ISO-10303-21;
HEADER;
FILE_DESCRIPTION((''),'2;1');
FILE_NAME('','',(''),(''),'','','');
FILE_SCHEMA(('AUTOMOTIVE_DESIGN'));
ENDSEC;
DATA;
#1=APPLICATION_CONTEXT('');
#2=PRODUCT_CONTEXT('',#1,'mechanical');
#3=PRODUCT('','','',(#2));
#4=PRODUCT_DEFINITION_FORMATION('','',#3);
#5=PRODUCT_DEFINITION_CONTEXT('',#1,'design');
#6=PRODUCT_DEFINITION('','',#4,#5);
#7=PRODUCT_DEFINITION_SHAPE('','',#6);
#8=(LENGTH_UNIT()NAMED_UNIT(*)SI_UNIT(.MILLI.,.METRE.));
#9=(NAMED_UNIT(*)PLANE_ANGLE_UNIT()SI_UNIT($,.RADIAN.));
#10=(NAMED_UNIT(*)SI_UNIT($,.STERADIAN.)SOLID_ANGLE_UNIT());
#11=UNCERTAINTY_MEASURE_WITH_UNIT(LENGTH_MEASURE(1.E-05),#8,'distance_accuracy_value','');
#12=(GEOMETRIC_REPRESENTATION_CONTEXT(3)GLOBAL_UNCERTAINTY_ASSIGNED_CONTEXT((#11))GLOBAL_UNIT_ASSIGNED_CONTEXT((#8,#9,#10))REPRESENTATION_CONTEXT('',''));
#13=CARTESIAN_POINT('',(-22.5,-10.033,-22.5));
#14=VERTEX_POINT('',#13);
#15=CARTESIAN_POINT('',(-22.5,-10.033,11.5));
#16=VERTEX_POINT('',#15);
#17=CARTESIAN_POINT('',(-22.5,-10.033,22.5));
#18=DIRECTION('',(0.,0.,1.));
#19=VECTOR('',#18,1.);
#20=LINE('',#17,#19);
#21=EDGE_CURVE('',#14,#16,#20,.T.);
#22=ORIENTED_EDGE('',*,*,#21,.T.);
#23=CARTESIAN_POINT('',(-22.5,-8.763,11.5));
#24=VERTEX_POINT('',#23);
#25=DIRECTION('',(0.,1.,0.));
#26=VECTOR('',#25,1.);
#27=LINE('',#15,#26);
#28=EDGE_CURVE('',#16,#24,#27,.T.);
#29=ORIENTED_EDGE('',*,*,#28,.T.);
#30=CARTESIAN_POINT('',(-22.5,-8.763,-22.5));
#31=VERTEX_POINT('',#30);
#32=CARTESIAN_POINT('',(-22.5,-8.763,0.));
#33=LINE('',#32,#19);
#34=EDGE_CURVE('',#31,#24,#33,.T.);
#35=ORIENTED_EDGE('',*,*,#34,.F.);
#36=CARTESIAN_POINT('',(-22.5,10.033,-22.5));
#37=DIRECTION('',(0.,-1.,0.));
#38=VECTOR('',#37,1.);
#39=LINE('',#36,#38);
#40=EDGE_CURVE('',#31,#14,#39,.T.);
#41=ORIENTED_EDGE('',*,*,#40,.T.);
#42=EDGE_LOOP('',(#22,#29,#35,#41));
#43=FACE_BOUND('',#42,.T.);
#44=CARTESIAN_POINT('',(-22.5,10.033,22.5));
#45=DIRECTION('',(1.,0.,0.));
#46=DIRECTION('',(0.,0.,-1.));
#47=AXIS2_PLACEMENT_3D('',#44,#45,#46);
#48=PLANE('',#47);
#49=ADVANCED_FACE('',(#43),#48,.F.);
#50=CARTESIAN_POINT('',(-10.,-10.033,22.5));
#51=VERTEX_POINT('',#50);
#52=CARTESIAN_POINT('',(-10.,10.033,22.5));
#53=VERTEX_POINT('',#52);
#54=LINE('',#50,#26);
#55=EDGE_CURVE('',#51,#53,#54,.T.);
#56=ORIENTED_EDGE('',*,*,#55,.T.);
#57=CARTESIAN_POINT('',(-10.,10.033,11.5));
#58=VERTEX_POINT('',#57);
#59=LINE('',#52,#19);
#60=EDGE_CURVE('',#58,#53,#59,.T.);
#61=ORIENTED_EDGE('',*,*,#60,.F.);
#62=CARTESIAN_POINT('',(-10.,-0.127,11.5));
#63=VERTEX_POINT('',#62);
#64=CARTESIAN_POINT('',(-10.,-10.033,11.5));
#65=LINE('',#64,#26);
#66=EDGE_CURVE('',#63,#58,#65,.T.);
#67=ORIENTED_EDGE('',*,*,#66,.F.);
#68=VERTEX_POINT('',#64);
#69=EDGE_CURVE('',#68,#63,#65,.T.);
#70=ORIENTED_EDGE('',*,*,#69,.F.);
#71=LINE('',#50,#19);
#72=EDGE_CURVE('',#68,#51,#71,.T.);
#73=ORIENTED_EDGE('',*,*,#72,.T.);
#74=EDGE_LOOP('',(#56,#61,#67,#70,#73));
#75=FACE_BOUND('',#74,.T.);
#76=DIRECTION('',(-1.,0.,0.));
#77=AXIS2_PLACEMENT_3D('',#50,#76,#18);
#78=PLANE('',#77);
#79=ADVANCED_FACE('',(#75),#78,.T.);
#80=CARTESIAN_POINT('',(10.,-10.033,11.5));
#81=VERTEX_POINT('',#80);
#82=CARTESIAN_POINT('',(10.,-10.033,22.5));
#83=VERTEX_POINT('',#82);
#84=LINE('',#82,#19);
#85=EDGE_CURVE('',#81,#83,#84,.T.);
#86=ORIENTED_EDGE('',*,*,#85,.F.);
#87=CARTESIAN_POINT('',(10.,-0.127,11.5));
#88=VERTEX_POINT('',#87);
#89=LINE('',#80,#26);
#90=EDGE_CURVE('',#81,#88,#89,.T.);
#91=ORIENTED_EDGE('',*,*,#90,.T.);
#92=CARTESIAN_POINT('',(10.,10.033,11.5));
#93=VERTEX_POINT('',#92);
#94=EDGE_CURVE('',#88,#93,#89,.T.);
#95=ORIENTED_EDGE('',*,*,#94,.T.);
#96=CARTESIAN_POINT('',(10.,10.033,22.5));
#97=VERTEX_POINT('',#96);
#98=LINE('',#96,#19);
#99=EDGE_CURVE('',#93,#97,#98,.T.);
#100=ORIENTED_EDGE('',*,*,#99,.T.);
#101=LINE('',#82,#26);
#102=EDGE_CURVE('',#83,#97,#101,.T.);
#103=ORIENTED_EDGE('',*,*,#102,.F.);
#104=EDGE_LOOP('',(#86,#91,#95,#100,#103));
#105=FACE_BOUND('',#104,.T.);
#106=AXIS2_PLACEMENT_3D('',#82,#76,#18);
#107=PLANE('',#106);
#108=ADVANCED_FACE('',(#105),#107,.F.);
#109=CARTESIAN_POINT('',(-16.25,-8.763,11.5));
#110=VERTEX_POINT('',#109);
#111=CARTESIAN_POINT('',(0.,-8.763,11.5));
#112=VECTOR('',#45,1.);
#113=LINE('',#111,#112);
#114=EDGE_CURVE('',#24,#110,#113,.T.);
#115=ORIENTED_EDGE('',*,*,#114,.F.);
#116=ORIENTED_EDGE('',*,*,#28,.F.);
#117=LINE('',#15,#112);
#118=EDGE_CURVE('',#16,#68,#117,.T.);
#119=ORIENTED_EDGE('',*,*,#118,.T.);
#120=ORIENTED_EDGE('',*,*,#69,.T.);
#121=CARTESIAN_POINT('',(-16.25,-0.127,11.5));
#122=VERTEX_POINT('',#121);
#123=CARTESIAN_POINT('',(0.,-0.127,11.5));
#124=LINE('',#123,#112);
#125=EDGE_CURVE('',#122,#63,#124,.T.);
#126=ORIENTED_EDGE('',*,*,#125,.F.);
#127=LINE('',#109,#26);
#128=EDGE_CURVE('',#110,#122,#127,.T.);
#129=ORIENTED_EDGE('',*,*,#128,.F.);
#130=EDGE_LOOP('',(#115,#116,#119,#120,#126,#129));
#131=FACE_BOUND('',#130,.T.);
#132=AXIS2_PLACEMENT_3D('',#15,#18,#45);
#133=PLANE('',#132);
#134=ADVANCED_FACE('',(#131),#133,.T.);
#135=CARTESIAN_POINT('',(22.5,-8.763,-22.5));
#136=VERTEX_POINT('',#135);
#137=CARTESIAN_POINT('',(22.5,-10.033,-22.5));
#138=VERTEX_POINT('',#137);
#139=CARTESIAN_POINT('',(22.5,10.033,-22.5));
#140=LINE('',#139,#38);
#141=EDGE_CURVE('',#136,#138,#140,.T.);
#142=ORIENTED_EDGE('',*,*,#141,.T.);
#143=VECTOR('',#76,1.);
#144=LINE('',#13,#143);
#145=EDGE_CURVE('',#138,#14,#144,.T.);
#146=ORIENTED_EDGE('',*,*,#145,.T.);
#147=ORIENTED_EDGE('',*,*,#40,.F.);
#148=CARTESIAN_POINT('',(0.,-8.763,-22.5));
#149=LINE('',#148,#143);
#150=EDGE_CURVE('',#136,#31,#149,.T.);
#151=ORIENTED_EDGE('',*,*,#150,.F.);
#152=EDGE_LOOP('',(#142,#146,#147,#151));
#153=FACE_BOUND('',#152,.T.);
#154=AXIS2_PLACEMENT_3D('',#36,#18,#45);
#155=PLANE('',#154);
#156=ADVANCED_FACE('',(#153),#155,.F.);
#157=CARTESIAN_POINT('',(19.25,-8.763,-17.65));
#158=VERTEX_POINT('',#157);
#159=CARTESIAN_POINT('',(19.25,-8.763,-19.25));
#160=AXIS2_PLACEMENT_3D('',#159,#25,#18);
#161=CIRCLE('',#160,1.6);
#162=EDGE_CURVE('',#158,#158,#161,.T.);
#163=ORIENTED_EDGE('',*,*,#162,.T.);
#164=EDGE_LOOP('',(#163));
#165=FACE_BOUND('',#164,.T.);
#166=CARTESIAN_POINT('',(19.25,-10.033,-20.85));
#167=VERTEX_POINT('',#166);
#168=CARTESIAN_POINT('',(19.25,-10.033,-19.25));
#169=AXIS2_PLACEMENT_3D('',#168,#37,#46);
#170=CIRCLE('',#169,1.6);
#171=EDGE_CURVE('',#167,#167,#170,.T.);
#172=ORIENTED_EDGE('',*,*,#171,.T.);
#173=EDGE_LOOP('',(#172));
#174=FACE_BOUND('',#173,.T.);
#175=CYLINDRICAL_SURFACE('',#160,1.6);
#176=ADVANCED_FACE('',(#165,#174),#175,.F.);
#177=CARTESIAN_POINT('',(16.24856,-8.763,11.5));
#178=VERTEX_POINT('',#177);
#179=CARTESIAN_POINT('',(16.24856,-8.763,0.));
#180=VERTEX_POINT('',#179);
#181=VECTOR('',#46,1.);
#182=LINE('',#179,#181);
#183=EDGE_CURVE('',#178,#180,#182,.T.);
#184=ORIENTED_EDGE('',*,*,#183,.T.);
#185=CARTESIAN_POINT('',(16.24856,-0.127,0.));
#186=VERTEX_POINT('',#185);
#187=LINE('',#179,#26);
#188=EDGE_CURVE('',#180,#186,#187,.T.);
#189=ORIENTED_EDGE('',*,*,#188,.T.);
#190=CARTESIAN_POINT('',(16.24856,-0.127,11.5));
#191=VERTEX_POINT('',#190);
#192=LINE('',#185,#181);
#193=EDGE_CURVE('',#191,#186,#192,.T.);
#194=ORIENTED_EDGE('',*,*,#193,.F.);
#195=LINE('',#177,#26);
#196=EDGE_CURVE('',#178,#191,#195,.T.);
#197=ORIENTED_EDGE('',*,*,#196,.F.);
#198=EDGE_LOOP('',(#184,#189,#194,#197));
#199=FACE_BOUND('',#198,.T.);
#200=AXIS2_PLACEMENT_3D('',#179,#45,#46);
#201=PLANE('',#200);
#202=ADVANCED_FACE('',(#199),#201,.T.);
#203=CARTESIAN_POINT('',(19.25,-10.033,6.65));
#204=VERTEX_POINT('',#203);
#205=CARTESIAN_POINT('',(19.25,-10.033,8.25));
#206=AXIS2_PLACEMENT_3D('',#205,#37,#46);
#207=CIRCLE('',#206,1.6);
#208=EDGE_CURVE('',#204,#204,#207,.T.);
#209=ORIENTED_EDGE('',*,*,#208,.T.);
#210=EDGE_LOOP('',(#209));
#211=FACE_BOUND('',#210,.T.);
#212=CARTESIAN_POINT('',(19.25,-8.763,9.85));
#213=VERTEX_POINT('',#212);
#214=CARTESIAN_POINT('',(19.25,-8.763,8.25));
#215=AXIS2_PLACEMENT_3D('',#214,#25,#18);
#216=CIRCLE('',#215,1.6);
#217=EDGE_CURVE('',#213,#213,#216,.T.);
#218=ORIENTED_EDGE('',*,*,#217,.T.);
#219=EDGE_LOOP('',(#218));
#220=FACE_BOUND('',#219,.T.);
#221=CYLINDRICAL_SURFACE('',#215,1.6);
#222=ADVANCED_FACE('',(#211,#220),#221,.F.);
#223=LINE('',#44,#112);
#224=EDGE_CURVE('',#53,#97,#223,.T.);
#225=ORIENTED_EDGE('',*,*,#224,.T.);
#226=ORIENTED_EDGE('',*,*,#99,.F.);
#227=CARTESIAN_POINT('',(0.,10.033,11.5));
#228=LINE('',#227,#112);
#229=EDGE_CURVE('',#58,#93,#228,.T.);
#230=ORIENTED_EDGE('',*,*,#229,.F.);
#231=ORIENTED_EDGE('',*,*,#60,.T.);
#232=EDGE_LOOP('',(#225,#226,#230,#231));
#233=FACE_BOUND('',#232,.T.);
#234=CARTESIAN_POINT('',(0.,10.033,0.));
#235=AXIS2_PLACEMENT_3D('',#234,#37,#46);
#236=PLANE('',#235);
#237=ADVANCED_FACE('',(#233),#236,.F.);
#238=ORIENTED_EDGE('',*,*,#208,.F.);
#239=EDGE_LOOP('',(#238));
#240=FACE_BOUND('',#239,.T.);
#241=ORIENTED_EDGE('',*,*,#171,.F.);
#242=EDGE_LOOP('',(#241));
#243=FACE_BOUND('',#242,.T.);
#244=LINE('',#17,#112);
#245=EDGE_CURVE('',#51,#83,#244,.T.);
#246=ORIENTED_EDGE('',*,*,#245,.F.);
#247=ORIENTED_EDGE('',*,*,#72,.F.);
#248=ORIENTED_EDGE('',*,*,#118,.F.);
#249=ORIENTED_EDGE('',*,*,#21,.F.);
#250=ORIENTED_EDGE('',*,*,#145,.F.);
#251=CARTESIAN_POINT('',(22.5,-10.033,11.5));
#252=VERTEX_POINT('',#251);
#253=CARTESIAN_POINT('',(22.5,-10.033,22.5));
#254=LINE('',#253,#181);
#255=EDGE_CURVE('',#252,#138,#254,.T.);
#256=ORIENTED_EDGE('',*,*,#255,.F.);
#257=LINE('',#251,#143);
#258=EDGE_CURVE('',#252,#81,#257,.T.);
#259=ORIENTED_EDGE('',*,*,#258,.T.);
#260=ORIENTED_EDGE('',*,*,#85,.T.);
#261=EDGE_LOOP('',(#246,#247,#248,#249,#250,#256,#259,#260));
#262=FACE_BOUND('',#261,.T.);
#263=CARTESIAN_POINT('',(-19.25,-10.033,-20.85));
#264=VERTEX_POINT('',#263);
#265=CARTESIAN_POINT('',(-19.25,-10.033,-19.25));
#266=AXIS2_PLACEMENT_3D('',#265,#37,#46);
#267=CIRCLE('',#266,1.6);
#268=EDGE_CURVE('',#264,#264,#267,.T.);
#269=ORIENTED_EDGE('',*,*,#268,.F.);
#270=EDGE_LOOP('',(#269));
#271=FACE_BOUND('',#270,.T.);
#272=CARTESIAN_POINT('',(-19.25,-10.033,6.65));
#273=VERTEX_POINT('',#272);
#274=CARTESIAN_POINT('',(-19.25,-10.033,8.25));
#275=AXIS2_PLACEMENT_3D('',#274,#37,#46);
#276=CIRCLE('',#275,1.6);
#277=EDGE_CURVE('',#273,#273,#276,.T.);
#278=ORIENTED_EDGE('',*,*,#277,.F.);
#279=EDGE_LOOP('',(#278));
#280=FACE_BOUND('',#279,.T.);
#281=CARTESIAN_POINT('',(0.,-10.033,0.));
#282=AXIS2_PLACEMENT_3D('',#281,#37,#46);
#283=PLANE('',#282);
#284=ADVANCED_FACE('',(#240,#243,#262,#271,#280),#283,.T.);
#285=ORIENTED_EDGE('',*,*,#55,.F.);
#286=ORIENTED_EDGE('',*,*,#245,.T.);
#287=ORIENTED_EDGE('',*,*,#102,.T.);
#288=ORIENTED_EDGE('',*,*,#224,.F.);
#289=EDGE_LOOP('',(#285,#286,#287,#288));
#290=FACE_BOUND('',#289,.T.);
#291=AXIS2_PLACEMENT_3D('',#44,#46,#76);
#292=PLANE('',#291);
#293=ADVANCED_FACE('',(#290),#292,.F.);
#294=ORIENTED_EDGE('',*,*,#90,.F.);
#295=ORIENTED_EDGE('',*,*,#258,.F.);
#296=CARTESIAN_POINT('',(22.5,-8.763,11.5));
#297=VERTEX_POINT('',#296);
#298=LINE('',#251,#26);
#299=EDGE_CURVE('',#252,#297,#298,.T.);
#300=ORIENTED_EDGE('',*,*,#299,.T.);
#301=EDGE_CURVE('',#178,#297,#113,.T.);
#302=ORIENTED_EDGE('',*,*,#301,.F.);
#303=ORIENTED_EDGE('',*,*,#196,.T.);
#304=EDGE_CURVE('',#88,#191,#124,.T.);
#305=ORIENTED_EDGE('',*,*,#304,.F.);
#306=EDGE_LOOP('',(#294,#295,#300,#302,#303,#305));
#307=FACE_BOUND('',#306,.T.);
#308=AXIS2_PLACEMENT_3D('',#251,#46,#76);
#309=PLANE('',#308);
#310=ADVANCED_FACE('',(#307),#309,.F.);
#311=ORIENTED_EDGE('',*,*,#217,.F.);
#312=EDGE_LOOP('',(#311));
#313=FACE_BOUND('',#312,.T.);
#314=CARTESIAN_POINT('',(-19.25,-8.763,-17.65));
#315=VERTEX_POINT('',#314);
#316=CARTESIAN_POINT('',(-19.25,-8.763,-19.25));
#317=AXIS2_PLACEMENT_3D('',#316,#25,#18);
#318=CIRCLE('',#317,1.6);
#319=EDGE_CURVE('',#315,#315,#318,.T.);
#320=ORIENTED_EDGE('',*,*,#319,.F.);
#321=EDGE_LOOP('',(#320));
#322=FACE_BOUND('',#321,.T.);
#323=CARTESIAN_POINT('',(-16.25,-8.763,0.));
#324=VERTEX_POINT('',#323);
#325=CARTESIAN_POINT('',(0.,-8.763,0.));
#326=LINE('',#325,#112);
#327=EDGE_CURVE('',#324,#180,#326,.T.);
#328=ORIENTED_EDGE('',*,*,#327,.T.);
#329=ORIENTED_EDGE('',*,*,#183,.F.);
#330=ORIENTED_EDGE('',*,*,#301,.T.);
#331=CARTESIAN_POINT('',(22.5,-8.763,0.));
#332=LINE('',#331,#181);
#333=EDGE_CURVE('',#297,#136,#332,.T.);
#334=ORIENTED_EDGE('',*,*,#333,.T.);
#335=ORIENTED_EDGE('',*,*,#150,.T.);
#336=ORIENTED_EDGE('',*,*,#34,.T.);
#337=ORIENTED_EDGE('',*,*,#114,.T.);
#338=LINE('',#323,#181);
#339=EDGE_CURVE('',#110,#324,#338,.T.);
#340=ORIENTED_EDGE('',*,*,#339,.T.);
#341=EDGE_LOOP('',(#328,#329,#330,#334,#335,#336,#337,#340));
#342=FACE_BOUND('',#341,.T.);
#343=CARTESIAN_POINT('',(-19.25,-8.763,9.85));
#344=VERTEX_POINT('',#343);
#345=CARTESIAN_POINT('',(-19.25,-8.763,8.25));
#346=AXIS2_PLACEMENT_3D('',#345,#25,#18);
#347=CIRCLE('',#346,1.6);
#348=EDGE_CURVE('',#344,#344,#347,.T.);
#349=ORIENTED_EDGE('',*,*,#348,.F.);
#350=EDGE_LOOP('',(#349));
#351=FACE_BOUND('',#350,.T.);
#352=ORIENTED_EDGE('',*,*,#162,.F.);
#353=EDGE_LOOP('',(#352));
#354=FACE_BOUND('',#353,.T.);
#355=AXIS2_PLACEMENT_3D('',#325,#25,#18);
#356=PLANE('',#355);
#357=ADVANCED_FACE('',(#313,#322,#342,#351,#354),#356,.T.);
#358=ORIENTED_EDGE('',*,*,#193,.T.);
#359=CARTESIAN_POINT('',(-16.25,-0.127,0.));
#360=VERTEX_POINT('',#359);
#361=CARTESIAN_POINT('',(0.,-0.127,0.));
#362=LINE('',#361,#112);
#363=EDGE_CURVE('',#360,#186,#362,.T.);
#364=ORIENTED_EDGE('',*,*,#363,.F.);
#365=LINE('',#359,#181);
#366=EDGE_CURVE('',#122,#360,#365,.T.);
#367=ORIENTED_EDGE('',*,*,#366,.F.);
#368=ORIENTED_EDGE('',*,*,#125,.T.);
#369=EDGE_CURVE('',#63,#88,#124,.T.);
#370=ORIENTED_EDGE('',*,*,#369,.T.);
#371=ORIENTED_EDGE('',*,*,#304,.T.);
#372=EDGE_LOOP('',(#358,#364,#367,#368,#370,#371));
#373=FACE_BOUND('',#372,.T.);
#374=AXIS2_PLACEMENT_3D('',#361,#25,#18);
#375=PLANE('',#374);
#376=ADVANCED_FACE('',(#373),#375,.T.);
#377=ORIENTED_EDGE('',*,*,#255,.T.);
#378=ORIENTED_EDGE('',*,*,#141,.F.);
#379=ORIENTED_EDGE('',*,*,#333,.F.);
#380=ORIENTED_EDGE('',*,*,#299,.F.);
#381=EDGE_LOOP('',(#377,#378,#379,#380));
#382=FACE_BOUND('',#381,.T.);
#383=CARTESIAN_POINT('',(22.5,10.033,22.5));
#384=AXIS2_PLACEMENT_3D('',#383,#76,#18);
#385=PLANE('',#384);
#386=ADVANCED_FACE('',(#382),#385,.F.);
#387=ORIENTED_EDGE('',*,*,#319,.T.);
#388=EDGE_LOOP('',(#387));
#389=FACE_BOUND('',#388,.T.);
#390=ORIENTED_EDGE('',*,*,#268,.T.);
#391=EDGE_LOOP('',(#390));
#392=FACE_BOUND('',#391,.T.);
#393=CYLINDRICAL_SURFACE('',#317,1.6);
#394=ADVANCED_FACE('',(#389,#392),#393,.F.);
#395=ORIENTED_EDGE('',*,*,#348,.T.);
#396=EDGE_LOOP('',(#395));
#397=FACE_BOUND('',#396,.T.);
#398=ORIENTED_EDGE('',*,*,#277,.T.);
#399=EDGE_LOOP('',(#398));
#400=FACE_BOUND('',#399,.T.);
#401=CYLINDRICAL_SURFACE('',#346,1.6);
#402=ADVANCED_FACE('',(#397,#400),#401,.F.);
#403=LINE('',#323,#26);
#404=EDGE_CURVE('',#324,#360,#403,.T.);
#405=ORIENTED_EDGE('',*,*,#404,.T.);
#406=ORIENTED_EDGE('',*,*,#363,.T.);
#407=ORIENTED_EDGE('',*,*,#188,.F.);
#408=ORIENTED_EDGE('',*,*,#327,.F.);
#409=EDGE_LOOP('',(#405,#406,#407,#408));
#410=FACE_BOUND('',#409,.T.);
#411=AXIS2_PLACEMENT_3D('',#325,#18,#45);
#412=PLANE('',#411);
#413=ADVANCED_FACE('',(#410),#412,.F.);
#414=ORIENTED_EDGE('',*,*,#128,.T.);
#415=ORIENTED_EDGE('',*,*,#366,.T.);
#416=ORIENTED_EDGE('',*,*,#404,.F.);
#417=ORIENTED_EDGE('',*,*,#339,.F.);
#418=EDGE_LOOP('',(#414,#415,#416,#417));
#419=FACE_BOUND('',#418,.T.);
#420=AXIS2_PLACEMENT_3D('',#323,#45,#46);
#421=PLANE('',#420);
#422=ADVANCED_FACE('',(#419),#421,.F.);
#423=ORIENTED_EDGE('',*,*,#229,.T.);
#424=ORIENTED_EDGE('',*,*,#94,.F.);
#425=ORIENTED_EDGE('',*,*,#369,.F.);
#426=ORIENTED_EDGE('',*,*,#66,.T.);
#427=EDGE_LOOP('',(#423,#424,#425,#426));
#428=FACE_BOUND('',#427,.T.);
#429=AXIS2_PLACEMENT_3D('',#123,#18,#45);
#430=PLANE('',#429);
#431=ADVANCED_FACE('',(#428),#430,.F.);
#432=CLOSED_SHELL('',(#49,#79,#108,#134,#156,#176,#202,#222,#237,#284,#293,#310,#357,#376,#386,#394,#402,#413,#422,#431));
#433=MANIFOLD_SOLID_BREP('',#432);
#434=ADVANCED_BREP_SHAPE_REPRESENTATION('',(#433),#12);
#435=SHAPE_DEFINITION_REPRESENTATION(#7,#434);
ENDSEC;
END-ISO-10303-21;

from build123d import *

# Parameters (mm, degrees)
SKETCH1_W            = 45
SKETCH1_H            = 45
BOSS_EXTRUDE1_DEPTH  = 10.033
SKETCH2_W            = 12.5
SKETCH2_H            = 11
CUT_EXTRUDE1_DEPTH   = 20.066
CUT_EXTRUDE2_DEPTH   = 18.796
CUT_EXTRUDE3_DEPTH   = 10.16
M3_CLEARANCE_HOLE1_D = 3.2


with BuildPart() as part:
    # Sketch1 → Boss-Extrude1 (new, symmetric)
    with BuildSketch(Plane(origin=(0, 0, 0), x_dir=(1, 0, 0), z_dir=(0, 1, 0))):
        Rectangle(SKETCH1_W, SKETCH1_H)
    extrude(amount=BOSS_EXTRUDE1_DEPTH, both=True)

    # Sketch2 → Cut-Extrude1 (cut)
    with BuildSketch(Plane(origin=(0, 10.033, 0), x_dir=(1, 0, 0), z_dir=(0, 1, 0))):
        with Locations((16.25, -17)):
            Rectangle(SKETCH2_W, SKETCH2_H)
    cut_extrude1 = extrude(amount=-CUT_EXTRUDE1_DEPTH, mode=Mode.SUBTRACT)

    # Mirror1: Cut-Extrude1 across plane
    add(cut_extrude1.mirror(Plane(origin=(0, 0, 0), x_dir=(0, 0, 1), z_dir=(1, 0, 0))), mode=Mode.SUBTRACT)

    # Sketch3 → Cut-Extrude2 (cut)
    with BuildSketch(Plane(origin=(0, 10.033, 0), x_dir=(1, 0, 0), z_dir=(0, 1, 0))):
        Polygon((-22.5, -11.5), (-16.25, -11.5), (-16.25, 0), (16.248560403, 0), (16.248560403, -11.5), (22.5, -11.5), (22.5, 22.5), (-22.5, 22.5), align=None)
    extrude(amount=-CUT_EXTRUDE2_DEPTH, mode=Mode.SUBTRACT)

    # Sketch3<3> → Cut-Extrude3 (cut)
    with BuildSketch(Plane(origin=(0, 10.033, 0), x_dir=(1, 0, 0), z_dir=(0, 1, 0))):
        Polygon((-16.25, 0), (-16.25, -11.5), (-10, -11.5), (10, -11.5), (16.248560403, -11.5), (16.248560403, 0), align=None)
    extrude(amount=-CUT_EXTRUDE3_DEPTH, mode=Mode.SUBTRACT)

    # M3 Clearance Hole1 (through all)
    with Locations(Plane(origin=(0, -8.763, 0), x_dir=(1, 0, 0), z_dir=(0, 1, 0))):
        with Locations((-19.25, 19.25), (-19.25, -8.25), (19.25, -8.25), (19.25, 19.25)):
            Hole(M3_CLEARANCE_HOLE1_D / 2)


solid = part.part
